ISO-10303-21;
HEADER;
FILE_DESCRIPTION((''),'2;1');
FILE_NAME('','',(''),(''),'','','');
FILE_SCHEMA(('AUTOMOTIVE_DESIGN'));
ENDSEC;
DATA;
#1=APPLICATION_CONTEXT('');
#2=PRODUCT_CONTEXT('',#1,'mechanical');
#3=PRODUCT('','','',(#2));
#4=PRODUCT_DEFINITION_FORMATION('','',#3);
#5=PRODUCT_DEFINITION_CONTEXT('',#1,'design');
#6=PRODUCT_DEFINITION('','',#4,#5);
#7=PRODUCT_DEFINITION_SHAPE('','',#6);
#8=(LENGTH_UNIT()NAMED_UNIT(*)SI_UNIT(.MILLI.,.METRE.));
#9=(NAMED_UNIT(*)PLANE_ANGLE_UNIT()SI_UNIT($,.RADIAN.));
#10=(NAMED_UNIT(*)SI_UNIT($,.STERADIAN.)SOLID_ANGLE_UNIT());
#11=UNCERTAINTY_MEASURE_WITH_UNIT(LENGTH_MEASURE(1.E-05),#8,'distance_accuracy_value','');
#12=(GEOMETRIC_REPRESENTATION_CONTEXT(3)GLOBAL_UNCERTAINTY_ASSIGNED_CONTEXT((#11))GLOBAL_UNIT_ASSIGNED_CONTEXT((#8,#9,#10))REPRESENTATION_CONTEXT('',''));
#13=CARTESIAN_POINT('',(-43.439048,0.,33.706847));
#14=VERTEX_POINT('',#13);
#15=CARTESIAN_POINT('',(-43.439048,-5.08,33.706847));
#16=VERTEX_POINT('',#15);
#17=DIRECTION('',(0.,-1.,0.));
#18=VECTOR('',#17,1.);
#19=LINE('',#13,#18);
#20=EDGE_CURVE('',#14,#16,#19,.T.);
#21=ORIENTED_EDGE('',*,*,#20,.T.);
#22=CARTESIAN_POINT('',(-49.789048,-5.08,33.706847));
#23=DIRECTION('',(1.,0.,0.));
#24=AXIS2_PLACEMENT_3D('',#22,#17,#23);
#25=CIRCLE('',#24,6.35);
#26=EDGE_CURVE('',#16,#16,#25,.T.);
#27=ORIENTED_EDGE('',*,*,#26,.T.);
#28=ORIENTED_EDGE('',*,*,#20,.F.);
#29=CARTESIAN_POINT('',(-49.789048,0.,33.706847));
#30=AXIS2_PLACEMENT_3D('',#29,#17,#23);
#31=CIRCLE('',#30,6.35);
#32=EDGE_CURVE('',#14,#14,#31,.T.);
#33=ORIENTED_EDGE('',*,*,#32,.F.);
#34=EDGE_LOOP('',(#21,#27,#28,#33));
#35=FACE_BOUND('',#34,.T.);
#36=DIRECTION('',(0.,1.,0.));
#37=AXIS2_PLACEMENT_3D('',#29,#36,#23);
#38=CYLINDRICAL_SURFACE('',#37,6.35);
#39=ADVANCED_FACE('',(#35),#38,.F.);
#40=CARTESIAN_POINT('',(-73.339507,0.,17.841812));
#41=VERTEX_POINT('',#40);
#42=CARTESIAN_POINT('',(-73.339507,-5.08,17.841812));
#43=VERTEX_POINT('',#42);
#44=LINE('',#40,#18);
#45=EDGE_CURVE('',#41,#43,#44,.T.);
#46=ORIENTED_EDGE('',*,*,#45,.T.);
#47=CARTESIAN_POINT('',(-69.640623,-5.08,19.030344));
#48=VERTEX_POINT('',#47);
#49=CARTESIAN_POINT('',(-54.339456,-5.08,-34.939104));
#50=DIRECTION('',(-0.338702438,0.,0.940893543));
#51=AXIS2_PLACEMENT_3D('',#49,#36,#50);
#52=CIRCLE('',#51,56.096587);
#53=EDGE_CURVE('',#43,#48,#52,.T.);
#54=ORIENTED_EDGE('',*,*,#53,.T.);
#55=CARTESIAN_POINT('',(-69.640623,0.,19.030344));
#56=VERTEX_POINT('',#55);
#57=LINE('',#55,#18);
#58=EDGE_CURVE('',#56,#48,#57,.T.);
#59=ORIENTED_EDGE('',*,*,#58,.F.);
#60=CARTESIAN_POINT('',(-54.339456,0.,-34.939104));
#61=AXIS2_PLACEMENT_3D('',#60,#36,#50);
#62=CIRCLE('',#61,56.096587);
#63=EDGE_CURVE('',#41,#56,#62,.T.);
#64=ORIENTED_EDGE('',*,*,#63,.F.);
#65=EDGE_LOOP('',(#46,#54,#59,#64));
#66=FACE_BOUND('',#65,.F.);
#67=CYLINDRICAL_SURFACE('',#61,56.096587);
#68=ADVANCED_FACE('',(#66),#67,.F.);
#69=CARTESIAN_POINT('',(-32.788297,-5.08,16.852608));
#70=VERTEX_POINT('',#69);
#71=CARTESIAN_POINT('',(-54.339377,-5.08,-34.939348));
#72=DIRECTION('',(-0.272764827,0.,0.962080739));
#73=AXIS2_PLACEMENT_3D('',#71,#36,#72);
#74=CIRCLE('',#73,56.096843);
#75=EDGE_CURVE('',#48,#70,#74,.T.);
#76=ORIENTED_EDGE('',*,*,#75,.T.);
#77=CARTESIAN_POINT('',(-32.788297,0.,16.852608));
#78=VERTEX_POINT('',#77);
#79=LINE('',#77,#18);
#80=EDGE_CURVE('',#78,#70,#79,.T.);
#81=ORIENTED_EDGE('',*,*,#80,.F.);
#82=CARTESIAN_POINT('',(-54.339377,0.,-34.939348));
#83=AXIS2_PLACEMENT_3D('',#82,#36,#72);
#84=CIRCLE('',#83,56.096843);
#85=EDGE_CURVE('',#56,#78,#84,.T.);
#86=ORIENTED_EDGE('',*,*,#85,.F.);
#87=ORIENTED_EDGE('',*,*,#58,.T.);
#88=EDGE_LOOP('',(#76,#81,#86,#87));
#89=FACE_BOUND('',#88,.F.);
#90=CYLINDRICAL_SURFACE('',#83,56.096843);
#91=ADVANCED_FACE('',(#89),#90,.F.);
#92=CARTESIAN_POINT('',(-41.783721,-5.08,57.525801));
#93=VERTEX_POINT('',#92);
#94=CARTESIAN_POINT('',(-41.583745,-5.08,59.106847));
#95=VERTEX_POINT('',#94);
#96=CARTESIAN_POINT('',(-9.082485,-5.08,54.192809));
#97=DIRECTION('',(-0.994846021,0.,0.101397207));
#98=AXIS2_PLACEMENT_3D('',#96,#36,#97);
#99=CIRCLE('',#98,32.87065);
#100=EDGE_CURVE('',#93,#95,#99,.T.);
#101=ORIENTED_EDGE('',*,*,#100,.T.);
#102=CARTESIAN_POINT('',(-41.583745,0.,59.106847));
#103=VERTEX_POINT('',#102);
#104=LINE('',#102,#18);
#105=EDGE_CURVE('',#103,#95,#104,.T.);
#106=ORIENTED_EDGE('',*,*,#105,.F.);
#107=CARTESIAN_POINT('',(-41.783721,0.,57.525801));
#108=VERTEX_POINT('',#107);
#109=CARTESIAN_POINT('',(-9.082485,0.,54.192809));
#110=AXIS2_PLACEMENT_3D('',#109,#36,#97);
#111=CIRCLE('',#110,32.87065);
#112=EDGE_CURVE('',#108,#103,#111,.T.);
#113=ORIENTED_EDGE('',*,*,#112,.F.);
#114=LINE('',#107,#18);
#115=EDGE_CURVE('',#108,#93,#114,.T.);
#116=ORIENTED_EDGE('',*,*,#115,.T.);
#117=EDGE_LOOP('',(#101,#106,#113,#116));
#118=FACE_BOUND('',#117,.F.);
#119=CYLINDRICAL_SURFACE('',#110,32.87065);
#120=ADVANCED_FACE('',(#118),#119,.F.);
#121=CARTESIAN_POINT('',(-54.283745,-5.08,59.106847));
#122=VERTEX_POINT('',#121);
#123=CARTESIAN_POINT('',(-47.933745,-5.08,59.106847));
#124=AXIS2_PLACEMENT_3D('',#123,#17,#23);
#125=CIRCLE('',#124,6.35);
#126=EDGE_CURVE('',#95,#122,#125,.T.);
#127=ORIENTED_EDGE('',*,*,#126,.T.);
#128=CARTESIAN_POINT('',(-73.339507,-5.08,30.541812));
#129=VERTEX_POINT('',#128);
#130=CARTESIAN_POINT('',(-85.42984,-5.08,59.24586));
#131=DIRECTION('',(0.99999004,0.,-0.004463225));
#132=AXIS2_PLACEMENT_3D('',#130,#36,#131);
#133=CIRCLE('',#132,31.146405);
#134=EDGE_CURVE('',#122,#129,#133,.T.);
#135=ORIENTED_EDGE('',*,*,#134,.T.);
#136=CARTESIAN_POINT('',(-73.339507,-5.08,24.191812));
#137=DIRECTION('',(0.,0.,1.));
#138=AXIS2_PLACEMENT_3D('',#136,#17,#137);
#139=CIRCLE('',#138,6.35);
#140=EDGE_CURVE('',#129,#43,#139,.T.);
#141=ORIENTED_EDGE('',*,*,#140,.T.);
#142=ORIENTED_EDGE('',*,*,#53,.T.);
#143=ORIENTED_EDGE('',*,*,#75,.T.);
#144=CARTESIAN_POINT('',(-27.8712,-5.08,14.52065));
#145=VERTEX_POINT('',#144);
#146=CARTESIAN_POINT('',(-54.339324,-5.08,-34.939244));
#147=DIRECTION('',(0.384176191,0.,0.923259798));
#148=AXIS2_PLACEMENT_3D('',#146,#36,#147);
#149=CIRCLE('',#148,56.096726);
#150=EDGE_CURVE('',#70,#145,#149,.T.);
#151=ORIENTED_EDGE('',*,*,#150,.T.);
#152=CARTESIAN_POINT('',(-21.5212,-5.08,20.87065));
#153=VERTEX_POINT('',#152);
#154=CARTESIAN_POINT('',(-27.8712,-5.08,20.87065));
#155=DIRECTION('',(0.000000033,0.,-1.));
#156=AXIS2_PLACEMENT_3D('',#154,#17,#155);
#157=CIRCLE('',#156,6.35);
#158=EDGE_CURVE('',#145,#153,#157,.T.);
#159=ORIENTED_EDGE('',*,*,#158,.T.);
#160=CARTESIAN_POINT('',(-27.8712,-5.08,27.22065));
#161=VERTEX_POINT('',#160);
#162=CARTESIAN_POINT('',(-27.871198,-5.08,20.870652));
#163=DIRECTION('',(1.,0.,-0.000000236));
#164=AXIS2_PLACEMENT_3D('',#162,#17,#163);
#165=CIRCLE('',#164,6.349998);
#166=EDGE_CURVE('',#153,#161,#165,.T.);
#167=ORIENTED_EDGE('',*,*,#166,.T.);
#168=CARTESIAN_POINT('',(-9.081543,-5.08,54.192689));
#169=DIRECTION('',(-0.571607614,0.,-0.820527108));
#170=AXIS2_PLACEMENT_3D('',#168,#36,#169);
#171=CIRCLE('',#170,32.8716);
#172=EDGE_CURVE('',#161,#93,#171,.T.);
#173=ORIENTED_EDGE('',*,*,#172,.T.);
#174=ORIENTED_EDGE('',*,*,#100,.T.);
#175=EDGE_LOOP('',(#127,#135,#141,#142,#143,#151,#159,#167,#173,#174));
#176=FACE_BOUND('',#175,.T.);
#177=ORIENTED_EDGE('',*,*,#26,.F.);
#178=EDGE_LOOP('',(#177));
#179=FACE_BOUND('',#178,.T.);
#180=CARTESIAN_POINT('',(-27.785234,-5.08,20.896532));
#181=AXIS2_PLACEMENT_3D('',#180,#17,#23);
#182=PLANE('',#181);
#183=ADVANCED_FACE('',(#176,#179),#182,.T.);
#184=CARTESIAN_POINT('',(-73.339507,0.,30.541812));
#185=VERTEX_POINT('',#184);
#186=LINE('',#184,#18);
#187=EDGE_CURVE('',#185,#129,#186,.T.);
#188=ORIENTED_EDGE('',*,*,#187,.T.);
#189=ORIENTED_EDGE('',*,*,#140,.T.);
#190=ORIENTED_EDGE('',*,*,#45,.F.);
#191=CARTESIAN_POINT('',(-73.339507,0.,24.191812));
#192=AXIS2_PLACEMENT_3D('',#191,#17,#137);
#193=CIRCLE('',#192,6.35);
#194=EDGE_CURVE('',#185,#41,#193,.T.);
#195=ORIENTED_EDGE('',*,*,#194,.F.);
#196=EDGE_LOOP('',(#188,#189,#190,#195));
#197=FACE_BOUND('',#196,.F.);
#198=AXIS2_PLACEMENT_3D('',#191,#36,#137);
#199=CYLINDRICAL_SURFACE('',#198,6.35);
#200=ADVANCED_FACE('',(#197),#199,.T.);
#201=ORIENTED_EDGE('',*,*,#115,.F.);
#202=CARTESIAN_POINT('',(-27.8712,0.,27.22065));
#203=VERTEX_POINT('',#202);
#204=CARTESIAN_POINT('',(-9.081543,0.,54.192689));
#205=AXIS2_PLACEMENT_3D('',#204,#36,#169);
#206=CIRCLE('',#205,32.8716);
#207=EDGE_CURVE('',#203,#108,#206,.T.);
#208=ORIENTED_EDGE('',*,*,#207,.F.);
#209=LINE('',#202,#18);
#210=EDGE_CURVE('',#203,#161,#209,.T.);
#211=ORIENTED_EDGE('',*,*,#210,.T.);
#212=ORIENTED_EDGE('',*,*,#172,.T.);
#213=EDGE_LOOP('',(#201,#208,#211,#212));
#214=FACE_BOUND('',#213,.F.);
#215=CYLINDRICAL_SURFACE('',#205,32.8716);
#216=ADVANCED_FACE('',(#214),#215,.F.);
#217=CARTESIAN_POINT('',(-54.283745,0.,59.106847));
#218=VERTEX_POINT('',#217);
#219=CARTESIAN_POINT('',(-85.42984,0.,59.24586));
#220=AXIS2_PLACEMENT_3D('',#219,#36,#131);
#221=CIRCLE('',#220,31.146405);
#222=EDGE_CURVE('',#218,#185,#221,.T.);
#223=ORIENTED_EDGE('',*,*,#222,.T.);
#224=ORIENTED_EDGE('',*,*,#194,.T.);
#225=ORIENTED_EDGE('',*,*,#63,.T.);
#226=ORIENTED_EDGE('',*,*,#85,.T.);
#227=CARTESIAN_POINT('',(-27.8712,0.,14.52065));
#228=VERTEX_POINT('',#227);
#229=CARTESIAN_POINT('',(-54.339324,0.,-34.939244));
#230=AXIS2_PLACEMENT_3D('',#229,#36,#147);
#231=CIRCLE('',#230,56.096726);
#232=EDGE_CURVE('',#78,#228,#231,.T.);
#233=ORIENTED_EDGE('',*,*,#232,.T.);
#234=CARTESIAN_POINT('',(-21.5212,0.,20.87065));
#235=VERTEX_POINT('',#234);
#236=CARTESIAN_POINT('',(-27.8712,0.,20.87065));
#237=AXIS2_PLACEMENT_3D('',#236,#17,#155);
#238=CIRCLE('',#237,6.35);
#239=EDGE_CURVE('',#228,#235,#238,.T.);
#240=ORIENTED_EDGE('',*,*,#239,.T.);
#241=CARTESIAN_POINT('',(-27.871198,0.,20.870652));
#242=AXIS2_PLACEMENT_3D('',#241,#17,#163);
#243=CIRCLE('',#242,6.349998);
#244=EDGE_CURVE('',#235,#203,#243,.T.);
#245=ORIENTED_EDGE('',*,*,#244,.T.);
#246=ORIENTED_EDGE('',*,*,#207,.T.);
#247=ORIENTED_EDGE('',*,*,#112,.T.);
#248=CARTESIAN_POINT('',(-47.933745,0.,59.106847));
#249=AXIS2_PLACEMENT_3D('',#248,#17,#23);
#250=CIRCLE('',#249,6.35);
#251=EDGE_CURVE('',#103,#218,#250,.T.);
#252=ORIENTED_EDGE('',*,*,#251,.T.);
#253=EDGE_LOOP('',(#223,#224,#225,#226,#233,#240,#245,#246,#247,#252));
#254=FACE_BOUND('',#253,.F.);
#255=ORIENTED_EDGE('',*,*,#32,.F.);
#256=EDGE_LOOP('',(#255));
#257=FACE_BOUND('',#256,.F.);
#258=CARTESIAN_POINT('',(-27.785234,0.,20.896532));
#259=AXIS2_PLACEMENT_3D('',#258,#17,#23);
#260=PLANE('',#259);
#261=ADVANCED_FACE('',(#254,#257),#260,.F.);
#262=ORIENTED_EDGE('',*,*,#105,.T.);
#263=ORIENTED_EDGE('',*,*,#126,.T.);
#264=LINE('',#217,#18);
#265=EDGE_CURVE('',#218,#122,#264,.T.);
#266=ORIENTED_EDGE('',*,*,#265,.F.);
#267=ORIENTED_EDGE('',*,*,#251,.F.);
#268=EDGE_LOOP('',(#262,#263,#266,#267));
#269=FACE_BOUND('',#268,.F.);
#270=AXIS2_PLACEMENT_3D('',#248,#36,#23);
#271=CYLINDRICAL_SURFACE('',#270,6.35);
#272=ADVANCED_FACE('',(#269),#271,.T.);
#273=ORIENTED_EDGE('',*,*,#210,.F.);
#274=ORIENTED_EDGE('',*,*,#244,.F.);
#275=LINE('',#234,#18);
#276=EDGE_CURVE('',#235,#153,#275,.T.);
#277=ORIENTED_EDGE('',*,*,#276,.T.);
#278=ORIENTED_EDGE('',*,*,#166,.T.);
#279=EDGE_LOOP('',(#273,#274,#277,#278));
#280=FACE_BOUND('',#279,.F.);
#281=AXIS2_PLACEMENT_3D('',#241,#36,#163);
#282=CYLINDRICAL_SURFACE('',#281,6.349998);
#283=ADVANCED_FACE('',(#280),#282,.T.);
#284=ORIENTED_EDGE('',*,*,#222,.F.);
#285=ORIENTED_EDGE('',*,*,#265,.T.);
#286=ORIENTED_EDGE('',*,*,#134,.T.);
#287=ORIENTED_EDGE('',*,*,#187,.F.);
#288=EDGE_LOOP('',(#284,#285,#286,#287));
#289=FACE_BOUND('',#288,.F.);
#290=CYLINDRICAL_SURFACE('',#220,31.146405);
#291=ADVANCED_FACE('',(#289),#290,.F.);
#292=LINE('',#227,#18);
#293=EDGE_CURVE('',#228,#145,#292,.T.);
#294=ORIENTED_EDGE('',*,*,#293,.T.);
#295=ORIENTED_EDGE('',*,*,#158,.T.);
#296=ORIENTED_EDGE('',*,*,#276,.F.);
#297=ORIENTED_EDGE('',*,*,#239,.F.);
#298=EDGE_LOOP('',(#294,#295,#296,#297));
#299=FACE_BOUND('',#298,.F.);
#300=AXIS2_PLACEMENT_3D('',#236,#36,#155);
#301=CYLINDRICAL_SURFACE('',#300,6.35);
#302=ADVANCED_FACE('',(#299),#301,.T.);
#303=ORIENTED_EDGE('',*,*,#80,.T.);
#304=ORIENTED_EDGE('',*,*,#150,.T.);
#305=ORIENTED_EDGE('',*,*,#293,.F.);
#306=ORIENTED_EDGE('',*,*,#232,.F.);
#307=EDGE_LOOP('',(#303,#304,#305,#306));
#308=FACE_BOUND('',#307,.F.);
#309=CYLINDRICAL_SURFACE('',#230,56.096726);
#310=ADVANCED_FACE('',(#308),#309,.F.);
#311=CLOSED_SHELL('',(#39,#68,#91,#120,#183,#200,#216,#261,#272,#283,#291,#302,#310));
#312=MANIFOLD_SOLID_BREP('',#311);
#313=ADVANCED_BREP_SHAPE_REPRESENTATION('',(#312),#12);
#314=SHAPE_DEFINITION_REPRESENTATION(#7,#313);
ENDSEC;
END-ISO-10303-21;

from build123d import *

# Parameters (mm, degrees)
F0_R     = 6.35
F1_DEPTH = 5.08


with BuildPart() as f1:
    # F0 (on Front) → F1 (new body)
    with BuildSketch(Plane.XZ):
        with BuildLine():
            ThreePointArc((-21.5212, 20.87065), (-23.381072, 25.360779), (-27.8712, 27.22065))
            ThreePointArc((-27.8712, 27.22065), (-33.608668, 23.591673), (-32.788297, 16.852608))
            ThreePointArc((-32.788297, 16.852608), (-30.301453, 15.746291), (-27.8712, 14.52065))
            ThreePointArc((-27.8712, 14.52065), (-23.381072, 16.380522), (-21.5212, 20.87065))
        make_face()
        with BuildLine():
            ThreePointArc((-41.783721, 57.525801), (-48.730566, 52.807039), (-54.283745, 59.106847))
            ThreePointArc((-54.283745, 59.106847), (-59.519659, 41.961154), (-73.339507, 30.541812))
            ThreePointArc((-73.339507, 30.541812), (-68.849379, 28.68194), (-66.989507, 24.191812))
            ThreePointArc((-66.989507, 24.191812), (-67.691038, 21.290555), (-69.640623, 19.030344))
            ThreePointArc((-69.640623, 19.030344), (-51.030186, 21.059804), (-32.788297, 16.852608))
            ThreePointArc((-32.788297, 16.852608), (-33.608668, 23.591673), (-27.8712, 27.22065))
            ThreePointArc((-27.8712, 27.22065), (-38.955492, 40.478125), (-41.783721, 57.525801))
        make_face()
        with Locations((-49.789048, 33.706847)):
            Circle(F0_R, mode=Mode.SUBTRACT)
        with BuildLine():
            ThreePointArc((-66.989507, 24.191812), (-68.849379, 28.68194), (-73.339507, 30.541812))
            ThreePointArc((-73.339507, 30.541812), (-79.689507, 24.191812), (-73.339507, 17.841812))
            ThreePointArc((-73.339507, 17.841812), (-71.500357, 18.46811), (-69.640623, 19.030344))
            ThreePointArc((-69.640623, 19.030344), (-67.691038, 21.290555), (-66.989507, 24.191812))
        make_face()
        with BuildLine():
            ThreePointArc((-41.783721, 57.525801), (-41.693316, 58.317536), (-41.583745, 59.106847))
            ThreePointArc((-41.583745, 59.106847), (-47.933745, 65.456847), (-54.283745, 59.106847))
            ThreePointArc((-54.283745, 59.106847), (-48.730566, 52.807039), (-41.783721, 57.525801))
        make_face()
    extrude(amount=F1_DEPTH)


solid = f1.part
